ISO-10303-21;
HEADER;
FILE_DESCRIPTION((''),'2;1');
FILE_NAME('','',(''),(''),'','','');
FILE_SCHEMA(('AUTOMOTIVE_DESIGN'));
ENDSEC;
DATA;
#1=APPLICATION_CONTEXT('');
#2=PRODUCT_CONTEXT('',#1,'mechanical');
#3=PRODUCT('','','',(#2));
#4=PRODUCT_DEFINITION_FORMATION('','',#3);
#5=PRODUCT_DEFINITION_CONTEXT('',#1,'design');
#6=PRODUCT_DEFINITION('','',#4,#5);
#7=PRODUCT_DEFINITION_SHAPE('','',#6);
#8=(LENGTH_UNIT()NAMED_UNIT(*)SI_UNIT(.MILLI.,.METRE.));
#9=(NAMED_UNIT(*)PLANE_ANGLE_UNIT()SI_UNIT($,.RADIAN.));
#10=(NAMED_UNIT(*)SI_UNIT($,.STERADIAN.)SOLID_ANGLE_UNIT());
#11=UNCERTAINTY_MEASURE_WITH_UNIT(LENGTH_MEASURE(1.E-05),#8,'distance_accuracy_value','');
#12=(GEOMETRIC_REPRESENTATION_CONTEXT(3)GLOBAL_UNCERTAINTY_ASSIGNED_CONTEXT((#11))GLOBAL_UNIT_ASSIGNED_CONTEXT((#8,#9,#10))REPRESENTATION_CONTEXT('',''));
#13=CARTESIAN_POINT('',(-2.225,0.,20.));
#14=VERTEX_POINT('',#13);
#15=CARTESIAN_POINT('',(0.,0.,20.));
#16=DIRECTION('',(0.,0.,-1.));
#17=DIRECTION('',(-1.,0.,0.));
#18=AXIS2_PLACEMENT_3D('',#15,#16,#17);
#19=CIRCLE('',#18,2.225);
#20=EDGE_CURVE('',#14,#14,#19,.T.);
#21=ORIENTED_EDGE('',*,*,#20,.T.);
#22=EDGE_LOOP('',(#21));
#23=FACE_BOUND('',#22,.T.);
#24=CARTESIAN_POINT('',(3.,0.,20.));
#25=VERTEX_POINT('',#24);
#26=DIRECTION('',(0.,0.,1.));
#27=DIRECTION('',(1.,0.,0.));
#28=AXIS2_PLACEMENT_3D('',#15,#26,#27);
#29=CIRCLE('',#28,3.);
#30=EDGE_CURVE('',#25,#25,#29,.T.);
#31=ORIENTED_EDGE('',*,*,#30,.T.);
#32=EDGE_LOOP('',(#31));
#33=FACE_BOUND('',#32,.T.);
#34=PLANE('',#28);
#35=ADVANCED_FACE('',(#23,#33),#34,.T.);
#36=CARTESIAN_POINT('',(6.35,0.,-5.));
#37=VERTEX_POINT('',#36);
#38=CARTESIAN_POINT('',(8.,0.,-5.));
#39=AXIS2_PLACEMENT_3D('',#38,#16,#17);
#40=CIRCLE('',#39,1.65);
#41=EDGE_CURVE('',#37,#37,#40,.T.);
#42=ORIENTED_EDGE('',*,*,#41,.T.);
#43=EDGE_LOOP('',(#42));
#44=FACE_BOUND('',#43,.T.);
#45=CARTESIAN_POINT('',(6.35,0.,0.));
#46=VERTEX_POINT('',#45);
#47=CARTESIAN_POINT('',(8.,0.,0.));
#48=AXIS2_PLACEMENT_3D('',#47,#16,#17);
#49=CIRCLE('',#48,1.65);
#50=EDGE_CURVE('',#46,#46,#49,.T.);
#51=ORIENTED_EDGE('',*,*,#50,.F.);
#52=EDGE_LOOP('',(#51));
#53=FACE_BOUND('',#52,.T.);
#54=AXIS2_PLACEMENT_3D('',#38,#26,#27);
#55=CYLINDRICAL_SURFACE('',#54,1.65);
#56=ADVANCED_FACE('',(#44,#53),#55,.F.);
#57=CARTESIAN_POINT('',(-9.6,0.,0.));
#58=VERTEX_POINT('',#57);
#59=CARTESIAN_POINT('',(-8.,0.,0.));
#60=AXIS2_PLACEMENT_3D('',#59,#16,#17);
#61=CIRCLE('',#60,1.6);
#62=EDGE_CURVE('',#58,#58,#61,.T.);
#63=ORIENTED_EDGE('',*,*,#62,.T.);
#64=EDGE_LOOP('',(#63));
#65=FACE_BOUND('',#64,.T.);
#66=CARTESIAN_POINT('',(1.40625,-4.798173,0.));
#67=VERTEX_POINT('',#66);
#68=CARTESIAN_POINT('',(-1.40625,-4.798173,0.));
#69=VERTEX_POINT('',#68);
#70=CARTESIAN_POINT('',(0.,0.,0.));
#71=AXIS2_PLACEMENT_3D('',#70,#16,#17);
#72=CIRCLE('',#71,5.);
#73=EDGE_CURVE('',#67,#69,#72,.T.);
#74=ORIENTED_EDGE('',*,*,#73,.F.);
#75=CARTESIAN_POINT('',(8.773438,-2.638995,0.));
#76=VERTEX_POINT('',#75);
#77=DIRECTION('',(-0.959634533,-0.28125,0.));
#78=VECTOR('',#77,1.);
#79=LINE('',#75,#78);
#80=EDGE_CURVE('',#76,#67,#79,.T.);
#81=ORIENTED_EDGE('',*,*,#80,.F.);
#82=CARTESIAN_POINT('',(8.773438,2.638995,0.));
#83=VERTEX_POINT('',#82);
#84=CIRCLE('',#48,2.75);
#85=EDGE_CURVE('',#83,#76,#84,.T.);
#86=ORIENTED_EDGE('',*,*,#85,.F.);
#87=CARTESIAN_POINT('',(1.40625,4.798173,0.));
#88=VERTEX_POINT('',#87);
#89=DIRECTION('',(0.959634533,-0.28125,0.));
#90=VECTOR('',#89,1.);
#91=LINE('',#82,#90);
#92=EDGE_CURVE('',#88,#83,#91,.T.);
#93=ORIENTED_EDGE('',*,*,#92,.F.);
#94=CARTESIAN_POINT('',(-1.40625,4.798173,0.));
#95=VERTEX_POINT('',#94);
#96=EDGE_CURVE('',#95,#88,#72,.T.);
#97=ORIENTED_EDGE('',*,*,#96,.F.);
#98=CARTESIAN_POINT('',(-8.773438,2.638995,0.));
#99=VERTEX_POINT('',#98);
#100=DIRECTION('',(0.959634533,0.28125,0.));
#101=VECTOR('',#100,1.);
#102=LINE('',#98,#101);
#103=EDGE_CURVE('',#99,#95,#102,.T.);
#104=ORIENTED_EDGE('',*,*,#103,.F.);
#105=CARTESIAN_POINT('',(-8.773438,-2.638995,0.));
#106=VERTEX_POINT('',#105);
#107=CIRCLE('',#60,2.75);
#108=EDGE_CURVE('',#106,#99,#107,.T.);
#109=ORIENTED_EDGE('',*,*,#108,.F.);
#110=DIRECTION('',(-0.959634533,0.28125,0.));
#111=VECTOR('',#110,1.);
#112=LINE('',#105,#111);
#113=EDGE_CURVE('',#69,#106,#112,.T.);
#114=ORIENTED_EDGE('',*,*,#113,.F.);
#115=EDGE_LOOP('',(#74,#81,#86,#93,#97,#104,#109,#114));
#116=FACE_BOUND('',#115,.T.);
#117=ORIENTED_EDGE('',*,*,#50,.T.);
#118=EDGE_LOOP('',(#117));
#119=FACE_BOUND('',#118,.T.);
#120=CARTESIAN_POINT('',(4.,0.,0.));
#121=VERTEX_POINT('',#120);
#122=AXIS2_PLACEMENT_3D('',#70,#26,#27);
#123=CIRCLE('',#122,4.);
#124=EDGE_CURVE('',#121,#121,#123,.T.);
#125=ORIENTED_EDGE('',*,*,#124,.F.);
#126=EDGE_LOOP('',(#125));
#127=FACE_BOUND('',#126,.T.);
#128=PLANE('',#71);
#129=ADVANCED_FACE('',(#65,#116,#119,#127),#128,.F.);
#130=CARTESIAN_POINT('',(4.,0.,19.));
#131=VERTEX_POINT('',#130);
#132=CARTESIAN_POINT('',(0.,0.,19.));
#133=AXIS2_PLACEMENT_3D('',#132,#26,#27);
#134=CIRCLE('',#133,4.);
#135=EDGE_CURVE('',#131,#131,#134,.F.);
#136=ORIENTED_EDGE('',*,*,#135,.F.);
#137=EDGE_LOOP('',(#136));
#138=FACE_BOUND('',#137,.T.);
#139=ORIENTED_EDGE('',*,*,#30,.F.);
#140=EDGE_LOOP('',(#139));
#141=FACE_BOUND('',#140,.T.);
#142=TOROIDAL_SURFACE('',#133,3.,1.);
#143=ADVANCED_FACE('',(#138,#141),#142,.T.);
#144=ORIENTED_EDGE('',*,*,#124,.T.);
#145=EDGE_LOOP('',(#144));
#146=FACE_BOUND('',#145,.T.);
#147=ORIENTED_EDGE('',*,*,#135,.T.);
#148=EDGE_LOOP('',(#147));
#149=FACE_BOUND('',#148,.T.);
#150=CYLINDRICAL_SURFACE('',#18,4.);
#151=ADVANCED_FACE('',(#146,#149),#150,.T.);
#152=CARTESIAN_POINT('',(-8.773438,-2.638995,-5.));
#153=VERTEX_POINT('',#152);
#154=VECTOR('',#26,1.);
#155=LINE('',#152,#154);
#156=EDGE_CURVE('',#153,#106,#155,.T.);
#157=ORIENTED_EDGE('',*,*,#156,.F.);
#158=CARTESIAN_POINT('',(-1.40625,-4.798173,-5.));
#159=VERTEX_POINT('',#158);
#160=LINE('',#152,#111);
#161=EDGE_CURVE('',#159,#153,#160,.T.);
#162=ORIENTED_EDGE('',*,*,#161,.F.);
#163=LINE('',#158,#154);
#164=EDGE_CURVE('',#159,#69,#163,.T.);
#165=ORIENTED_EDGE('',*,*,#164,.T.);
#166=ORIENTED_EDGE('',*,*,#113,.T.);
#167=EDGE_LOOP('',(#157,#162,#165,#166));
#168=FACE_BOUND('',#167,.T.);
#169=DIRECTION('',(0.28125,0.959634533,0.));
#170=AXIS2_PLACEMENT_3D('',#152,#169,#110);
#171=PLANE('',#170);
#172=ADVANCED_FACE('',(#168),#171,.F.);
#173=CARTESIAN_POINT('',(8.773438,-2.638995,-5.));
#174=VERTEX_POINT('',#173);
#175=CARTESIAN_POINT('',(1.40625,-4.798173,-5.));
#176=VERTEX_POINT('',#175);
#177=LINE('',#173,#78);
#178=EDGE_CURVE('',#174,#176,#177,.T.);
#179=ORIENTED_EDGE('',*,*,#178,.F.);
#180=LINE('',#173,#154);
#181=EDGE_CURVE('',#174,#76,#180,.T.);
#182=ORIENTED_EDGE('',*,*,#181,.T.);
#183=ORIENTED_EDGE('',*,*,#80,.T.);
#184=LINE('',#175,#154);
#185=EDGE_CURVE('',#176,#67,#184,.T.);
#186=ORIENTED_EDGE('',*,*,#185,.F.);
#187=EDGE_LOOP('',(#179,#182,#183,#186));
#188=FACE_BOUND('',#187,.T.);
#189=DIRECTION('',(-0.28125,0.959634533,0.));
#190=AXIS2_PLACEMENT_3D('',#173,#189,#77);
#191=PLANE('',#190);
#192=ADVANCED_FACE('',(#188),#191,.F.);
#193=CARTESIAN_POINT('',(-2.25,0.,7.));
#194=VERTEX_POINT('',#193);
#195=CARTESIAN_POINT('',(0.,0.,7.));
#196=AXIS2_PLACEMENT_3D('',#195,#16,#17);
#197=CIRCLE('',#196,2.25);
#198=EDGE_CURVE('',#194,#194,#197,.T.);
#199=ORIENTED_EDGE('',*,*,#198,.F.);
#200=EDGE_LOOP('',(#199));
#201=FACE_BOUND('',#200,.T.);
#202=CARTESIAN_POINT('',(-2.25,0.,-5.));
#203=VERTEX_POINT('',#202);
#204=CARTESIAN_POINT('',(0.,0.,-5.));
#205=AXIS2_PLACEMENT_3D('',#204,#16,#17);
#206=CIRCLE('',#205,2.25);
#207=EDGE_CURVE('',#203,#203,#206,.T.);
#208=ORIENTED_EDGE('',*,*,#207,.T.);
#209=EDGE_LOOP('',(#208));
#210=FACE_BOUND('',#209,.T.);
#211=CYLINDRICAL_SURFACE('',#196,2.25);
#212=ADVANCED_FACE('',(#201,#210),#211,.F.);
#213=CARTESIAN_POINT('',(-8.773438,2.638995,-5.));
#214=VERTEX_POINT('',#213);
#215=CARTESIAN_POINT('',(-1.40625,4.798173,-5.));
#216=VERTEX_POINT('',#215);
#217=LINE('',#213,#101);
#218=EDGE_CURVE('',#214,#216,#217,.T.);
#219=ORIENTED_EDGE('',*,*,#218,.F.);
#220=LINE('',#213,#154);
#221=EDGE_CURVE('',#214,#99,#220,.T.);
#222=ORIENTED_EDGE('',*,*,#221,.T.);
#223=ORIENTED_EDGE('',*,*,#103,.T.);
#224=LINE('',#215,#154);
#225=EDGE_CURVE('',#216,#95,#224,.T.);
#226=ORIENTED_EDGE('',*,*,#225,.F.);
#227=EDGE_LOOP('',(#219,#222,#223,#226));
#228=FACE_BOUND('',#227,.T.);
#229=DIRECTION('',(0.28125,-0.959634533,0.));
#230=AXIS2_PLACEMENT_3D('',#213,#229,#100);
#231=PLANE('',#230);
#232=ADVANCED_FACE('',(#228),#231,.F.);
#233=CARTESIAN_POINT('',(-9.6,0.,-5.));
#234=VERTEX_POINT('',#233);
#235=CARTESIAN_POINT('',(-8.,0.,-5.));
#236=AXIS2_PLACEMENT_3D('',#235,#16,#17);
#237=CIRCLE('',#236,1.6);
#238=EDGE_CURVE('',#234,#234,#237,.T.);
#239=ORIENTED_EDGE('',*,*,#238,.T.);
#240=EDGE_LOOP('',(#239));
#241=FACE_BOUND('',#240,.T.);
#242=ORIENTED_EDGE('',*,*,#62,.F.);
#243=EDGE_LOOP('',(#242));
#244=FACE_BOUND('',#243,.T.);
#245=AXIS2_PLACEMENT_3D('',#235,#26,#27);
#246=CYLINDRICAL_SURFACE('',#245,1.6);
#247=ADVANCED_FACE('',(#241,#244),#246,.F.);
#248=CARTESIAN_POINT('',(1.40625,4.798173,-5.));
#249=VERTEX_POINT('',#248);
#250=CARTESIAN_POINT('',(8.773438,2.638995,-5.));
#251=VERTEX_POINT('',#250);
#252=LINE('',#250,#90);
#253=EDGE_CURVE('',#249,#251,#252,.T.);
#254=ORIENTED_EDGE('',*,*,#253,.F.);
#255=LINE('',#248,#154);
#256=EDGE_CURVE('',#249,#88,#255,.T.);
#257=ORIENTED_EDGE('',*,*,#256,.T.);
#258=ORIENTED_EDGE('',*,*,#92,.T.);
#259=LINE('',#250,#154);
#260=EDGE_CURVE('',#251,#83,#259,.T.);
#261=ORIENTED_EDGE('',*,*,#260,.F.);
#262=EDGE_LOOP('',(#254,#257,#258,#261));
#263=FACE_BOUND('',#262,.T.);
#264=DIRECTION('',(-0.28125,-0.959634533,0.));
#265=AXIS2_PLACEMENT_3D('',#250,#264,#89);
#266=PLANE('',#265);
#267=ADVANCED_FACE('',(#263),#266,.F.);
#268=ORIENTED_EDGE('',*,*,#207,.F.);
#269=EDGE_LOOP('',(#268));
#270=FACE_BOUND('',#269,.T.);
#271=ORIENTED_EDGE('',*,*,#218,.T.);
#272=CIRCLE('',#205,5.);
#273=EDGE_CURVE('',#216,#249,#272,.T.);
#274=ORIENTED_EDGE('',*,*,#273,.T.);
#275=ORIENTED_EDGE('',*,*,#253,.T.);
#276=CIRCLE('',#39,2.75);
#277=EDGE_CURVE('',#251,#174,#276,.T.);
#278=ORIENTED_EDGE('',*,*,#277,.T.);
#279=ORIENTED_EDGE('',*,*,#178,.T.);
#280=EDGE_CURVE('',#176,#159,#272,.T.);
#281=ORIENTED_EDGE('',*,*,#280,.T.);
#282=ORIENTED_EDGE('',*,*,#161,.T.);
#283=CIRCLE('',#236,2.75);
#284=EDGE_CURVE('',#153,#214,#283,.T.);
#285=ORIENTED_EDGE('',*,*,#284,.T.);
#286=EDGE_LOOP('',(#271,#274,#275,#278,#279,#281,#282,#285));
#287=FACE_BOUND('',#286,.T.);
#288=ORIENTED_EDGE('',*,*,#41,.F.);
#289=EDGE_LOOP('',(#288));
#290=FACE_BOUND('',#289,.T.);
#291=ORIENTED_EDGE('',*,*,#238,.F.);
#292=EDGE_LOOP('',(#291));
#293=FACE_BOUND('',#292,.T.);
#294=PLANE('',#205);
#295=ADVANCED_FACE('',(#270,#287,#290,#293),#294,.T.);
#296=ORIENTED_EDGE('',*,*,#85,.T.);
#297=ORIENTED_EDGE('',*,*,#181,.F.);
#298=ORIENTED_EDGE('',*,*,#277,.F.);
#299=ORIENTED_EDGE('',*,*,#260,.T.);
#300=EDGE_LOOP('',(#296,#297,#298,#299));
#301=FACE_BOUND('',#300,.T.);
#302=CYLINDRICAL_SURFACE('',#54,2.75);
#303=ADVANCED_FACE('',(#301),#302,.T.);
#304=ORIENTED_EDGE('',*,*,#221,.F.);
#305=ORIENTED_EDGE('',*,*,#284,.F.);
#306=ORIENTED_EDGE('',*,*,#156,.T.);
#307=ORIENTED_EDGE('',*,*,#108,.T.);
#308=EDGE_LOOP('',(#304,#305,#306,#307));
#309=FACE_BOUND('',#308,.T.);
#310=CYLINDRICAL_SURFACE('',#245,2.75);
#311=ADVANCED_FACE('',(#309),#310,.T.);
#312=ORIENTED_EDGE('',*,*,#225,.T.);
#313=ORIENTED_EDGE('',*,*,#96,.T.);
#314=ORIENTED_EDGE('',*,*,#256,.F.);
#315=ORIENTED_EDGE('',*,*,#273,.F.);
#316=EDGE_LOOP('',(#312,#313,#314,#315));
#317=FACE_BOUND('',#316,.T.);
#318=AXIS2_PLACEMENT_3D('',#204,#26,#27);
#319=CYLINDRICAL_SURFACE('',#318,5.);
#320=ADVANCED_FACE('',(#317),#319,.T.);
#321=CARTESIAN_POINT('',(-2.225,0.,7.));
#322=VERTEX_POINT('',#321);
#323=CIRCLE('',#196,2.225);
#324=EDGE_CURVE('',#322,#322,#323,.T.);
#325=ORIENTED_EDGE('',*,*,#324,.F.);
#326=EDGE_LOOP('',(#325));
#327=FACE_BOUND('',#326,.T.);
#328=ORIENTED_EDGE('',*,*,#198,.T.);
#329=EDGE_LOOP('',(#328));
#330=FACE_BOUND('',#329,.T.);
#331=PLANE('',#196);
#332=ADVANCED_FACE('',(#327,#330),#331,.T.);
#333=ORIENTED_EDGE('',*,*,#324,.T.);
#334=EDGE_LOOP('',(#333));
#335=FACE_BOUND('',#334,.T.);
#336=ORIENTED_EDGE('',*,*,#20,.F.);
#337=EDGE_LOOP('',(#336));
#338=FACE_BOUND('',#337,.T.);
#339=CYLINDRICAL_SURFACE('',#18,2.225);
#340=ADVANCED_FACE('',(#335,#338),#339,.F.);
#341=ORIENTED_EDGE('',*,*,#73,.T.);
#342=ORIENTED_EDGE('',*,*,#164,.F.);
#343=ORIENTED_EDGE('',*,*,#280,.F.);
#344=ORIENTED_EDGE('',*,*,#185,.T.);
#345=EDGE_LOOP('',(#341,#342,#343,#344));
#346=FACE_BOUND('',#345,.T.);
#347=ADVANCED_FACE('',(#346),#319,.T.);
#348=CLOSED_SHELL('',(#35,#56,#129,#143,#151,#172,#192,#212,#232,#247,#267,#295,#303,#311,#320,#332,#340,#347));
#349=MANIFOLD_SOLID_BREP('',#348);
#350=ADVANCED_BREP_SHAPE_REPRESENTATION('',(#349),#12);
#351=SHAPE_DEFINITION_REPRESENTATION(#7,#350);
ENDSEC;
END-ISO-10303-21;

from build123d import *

# Parameters (mm, degrees)
SKETCH_1_R          = 4
EXTRUDE_1_DEPTH     = 20
SKETCH_2_R          = 1.65
SKETCH_2_R_2        = 1.6
EXTRUDE_2_DEPTH     = 5
SKETCH_3_R          = 2.25
CUT_EXTRUDE_1_DEPTH = 12
SKETCH_4_R          = 2.225
CUT_EXTRUDE_2_DEPTH = 18.59438831
FILLET_2_R          = 1


with BuildPart() as part:
    # 草图1 → 凸台-拉伸1 (new body)
    with BuildSketch(Plane.XY):
        Circle(SKETCH_1_R)
    extrude(amount=EXTRUDE_1_DEPTH)

    # 草图2 → 凸台-拉伸2 (add)
    with BuildSketch(Plane(origin=(0, 0, 0), x_dir=(-1, 0, 0), z_dir=(0, 0, -1))):
        with BuildLine():
            Line((-8.7734375, 2.638994967), (-1.40625, 4.798172666))
            ThreePointArc((-1.40625, 4.798172666), (0, 5), (1.40625, 4.798172666))
            Line((1.40625, 4.798172666), (8.7734375, 2.638994967))
            ThreePointArc((8.7734375, 2.638994967), (10.75, 0), (8.7734375, -2.638994967))
            Line((8.7734375, -2.638994967), (1.40625, -4.798172666))
            ThreePointArc((1.40625, -4.798172666), (0, -5), (-1.40625, -4.798172666))
            Line((-1.40625, -4.798172666), (-8.7734375, -2.638994967))
            ThreePointArc((-8.7734375, -2.638994967), (-10.75, 0), (-8.7734375, 2.638994967))
        make_face()
        with Locations((-8, 0)):
            Circle(SKETCH_2_R, mode=Mode.SUBTRACT)
        with Locations((8, 0)):
            Circle(SKETCH_2_R_2, mode=Mode.SUBTRACT)
    extrude(amount=EXTRUDE_2_DEPTH)

    # 草图3 → 切除-拉伸1 (cut)
    with BuildSketch(Plane(origin=(0, 0, -5), x_dir=(-1, 0, 0), z_dir=(0, 0, -1))):
        Circle(SKETCH_3_R)
    extrude(amount=-CUT_EXTRUDE_1_DEPTH, mode=Mode.SUBTRACT)

    # 草图4 → 切除-拉伸2 (cut, through all)
    with BuildSketch(Plane(origin=(0, 0, 7), x_dir=(-1, 0, 0), z_dir=(0, 0, -1))):
        Circle(SKETCH_4_R)
    extrude(amount=-CUT_EXTRUDE_2_DEPTH, mode=Mode.SUBTRACT)

    # 圆角2
    fillet_2_edges = [part.edges().sort_by_distance(p)[0] for p in [
        (-4, 0, 20),
    ]]
    fillet(fillet_2_edges, radius=FILLET_2_R)


solid = part.part
